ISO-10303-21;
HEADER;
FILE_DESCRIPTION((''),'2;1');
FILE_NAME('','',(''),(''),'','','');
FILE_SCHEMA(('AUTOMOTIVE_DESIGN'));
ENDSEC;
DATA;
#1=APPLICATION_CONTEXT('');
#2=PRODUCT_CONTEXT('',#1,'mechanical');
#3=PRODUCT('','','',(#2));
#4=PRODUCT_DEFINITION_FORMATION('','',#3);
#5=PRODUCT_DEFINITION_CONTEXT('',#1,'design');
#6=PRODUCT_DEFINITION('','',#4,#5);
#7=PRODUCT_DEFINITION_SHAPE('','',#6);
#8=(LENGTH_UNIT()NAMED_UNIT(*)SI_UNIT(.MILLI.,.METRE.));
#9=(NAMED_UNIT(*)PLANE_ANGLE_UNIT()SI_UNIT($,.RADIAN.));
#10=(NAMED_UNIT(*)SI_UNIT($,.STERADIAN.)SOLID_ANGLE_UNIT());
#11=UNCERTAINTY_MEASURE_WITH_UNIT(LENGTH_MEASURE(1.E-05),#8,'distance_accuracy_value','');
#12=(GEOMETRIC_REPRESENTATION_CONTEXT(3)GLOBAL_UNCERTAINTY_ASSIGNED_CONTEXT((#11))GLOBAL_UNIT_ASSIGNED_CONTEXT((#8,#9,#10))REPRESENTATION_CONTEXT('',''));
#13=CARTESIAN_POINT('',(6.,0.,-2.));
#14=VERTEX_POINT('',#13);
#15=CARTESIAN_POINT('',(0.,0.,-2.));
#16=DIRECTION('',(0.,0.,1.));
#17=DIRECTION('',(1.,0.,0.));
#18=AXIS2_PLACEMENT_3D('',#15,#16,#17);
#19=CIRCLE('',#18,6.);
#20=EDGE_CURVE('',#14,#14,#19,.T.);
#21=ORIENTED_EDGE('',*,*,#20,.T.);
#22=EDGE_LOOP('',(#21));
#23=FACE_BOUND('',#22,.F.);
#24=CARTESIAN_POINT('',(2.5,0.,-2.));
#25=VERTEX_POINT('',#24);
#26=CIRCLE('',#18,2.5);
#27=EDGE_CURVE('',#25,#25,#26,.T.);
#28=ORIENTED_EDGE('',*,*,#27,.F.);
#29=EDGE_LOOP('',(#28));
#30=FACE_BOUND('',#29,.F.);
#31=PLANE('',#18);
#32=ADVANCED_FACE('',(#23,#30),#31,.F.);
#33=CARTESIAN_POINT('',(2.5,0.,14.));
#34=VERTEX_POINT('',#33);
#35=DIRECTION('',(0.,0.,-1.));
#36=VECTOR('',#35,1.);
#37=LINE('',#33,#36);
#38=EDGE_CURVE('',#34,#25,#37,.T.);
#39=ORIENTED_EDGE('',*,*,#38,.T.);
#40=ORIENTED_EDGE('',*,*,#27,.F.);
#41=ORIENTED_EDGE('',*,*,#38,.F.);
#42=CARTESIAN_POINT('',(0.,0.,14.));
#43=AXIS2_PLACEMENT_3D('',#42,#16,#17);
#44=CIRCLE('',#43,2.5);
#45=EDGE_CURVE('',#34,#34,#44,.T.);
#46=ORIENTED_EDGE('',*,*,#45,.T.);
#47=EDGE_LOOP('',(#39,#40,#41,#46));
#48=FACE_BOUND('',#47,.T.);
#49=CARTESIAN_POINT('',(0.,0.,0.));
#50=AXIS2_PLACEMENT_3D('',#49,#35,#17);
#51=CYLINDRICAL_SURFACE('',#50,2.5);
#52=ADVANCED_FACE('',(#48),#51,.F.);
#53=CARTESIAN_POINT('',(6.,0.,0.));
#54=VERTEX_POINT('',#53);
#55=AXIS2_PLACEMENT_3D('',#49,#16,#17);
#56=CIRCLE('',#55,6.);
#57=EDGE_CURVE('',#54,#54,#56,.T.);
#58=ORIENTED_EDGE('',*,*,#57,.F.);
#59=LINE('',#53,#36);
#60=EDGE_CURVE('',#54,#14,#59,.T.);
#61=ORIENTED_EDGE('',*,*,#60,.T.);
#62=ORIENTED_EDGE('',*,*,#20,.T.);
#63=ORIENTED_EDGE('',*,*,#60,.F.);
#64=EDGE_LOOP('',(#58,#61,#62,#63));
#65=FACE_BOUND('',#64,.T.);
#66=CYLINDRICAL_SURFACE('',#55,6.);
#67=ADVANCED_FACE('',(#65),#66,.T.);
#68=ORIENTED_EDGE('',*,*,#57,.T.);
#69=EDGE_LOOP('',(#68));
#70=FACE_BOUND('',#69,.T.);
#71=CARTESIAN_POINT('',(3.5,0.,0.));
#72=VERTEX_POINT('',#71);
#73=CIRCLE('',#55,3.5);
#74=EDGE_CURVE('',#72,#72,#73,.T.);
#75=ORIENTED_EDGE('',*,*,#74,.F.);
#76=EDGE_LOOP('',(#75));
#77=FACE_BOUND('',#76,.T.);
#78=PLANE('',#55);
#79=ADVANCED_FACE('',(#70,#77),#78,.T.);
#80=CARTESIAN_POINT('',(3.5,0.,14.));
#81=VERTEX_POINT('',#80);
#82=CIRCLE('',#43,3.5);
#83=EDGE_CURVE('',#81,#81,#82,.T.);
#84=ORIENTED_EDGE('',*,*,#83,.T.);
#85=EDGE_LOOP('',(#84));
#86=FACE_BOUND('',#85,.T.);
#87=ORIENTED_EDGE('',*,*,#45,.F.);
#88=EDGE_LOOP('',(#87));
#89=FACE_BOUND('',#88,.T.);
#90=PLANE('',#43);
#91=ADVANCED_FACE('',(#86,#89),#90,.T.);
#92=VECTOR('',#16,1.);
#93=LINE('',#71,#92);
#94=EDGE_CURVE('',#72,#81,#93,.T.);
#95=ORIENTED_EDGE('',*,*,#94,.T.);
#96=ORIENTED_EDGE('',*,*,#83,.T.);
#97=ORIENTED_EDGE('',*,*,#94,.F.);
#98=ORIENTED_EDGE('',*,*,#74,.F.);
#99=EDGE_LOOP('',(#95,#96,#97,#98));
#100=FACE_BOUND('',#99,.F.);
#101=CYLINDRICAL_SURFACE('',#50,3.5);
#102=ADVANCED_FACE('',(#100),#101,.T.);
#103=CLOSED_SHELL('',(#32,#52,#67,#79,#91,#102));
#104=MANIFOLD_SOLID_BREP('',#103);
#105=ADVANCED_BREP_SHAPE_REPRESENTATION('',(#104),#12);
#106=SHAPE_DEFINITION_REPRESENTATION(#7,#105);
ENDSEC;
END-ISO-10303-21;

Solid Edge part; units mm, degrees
sketch "Sketch1" plane through (0, 0, 0) normal (0, 0, 1) x (1, 0, 0)
  circle A0 centre (0, 0) radius 3.5
  circle A1 centre (0, 0) radius 2.5
extrude "Protrusion1" add sketch "Sketch1" along normal blind 14
sketch "Sketch2" plane through (0, 0, 0) normal (0, 0, 1) x (1, 0, 0)
  circle A0 centre (0, 0) radius 6
  circle A1 centre (0, 0) radius 2.5
extrude "ExtrudedProtrusion_2" add sketch "Sketch2" against normal blind 2
